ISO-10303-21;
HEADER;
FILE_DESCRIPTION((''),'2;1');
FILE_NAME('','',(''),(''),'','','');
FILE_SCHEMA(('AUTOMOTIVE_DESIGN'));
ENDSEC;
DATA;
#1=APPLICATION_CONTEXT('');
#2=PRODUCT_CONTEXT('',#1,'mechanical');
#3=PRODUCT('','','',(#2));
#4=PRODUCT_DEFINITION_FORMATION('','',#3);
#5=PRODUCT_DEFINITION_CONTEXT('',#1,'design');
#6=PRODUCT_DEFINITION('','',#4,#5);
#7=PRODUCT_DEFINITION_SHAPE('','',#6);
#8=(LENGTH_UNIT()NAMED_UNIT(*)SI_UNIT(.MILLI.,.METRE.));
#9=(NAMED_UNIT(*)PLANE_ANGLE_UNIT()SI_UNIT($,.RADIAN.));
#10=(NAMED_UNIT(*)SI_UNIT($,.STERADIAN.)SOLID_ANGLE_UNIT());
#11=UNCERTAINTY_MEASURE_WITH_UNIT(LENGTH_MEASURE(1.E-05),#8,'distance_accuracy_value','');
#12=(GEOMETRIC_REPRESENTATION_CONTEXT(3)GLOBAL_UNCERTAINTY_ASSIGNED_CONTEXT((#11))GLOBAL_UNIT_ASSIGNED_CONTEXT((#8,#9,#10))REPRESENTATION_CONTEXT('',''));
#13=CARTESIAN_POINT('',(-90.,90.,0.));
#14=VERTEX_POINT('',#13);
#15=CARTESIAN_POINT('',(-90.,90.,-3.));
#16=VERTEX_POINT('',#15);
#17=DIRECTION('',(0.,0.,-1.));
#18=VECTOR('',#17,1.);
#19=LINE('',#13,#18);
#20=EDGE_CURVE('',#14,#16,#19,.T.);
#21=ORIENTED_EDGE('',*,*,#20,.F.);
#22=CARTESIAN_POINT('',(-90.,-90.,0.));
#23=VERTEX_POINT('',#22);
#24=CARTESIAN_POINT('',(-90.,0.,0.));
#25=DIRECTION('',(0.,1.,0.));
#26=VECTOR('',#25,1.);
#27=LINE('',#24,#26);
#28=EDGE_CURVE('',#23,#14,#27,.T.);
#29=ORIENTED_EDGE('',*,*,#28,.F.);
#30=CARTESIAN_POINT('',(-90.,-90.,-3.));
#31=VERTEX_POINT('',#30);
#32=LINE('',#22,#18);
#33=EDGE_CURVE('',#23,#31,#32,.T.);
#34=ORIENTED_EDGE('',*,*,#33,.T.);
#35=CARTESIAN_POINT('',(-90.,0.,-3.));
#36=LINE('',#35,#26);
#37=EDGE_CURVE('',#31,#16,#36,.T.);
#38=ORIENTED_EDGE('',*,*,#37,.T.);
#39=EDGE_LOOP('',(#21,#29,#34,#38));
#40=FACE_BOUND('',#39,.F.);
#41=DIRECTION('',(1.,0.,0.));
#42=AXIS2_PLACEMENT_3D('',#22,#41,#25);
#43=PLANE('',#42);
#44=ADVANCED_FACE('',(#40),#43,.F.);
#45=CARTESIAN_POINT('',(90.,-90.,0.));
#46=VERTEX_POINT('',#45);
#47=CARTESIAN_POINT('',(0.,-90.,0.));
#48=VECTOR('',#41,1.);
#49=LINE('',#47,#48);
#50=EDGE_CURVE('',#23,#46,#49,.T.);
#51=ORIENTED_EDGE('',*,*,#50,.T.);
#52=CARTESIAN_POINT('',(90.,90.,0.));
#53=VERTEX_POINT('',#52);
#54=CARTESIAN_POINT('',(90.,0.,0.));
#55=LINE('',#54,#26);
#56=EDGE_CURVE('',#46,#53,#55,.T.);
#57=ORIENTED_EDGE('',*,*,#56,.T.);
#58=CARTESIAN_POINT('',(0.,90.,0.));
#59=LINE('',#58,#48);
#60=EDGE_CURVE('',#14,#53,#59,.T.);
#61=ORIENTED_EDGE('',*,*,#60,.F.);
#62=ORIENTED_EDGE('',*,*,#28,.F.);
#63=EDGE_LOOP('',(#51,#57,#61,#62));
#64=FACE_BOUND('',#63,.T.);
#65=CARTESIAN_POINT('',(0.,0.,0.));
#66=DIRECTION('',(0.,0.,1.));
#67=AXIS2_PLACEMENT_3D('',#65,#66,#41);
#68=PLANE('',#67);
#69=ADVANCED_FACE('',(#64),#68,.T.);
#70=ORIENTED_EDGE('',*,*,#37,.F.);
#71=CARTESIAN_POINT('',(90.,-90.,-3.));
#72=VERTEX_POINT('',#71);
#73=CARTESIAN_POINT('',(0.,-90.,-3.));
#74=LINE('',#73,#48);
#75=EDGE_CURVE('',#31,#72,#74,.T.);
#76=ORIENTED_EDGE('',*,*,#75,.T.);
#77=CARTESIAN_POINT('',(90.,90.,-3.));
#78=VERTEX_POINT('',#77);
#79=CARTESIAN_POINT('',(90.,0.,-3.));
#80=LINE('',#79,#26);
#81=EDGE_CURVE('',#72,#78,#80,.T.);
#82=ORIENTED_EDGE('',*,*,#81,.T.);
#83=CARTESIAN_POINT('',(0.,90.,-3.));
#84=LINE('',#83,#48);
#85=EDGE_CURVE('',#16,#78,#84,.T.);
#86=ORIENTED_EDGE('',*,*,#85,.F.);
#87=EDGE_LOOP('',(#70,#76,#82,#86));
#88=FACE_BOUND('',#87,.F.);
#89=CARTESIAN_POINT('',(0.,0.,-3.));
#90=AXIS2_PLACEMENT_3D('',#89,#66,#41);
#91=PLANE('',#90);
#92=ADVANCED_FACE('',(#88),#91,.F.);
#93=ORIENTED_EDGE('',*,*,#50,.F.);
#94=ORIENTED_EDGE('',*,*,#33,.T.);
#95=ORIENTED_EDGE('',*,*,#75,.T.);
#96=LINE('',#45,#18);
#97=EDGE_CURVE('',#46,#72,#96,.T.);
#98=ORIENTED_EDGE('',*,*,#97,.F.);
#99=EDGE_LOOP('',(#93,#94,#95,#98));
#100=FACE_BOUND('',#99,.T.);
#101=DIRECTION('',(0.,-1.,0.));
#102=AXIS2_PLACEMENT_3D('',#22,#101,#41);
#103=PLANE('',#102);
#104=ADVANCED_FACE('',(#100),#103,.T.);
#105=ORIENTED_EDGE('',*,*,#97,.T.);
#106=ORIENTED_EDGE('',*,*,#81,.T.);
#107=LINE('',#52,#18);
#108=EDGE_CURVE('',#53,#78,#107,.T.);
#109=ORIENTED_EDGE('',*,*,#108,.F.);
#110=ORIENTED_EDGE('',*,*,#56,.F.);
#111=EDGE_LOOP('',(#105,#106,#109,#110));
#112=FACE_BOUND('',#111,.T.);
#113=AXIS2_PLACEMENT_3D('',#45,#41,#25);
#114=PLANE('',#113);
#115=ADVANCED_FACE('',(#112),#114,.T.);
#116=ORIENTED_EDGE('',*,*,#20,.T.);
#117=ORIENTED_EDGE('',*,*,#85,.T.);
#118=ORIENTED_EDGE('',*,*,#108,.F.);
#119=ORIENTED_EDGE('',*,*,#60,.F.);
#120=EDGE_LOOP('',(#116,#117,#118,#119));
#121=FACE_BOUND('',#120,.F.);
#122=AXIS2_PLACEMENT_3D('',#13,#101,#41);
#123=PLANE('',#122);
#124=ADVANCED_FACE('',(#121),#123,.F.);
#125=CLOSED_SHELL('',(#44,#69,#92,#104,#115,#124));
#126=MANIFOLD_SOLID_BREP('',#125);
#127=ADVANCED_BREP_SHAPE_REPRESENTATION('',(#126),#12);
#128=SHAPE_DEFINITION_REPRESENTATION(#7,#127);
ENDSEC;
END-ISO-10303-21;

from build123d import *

# Parameters (mm, degrees)
SKETCH_W  = 180
SKETCH_H  = 180
PAD_DEPTH = 3


with BuildPart() as part:
    # Sketch → Pad (new body)
    with BuildSketch(Plane.XY):
        Rectangle(SKETCH_W, SKETCH_H)
    extrude(amount=-PAD_DEPTH)


solid = part.part
